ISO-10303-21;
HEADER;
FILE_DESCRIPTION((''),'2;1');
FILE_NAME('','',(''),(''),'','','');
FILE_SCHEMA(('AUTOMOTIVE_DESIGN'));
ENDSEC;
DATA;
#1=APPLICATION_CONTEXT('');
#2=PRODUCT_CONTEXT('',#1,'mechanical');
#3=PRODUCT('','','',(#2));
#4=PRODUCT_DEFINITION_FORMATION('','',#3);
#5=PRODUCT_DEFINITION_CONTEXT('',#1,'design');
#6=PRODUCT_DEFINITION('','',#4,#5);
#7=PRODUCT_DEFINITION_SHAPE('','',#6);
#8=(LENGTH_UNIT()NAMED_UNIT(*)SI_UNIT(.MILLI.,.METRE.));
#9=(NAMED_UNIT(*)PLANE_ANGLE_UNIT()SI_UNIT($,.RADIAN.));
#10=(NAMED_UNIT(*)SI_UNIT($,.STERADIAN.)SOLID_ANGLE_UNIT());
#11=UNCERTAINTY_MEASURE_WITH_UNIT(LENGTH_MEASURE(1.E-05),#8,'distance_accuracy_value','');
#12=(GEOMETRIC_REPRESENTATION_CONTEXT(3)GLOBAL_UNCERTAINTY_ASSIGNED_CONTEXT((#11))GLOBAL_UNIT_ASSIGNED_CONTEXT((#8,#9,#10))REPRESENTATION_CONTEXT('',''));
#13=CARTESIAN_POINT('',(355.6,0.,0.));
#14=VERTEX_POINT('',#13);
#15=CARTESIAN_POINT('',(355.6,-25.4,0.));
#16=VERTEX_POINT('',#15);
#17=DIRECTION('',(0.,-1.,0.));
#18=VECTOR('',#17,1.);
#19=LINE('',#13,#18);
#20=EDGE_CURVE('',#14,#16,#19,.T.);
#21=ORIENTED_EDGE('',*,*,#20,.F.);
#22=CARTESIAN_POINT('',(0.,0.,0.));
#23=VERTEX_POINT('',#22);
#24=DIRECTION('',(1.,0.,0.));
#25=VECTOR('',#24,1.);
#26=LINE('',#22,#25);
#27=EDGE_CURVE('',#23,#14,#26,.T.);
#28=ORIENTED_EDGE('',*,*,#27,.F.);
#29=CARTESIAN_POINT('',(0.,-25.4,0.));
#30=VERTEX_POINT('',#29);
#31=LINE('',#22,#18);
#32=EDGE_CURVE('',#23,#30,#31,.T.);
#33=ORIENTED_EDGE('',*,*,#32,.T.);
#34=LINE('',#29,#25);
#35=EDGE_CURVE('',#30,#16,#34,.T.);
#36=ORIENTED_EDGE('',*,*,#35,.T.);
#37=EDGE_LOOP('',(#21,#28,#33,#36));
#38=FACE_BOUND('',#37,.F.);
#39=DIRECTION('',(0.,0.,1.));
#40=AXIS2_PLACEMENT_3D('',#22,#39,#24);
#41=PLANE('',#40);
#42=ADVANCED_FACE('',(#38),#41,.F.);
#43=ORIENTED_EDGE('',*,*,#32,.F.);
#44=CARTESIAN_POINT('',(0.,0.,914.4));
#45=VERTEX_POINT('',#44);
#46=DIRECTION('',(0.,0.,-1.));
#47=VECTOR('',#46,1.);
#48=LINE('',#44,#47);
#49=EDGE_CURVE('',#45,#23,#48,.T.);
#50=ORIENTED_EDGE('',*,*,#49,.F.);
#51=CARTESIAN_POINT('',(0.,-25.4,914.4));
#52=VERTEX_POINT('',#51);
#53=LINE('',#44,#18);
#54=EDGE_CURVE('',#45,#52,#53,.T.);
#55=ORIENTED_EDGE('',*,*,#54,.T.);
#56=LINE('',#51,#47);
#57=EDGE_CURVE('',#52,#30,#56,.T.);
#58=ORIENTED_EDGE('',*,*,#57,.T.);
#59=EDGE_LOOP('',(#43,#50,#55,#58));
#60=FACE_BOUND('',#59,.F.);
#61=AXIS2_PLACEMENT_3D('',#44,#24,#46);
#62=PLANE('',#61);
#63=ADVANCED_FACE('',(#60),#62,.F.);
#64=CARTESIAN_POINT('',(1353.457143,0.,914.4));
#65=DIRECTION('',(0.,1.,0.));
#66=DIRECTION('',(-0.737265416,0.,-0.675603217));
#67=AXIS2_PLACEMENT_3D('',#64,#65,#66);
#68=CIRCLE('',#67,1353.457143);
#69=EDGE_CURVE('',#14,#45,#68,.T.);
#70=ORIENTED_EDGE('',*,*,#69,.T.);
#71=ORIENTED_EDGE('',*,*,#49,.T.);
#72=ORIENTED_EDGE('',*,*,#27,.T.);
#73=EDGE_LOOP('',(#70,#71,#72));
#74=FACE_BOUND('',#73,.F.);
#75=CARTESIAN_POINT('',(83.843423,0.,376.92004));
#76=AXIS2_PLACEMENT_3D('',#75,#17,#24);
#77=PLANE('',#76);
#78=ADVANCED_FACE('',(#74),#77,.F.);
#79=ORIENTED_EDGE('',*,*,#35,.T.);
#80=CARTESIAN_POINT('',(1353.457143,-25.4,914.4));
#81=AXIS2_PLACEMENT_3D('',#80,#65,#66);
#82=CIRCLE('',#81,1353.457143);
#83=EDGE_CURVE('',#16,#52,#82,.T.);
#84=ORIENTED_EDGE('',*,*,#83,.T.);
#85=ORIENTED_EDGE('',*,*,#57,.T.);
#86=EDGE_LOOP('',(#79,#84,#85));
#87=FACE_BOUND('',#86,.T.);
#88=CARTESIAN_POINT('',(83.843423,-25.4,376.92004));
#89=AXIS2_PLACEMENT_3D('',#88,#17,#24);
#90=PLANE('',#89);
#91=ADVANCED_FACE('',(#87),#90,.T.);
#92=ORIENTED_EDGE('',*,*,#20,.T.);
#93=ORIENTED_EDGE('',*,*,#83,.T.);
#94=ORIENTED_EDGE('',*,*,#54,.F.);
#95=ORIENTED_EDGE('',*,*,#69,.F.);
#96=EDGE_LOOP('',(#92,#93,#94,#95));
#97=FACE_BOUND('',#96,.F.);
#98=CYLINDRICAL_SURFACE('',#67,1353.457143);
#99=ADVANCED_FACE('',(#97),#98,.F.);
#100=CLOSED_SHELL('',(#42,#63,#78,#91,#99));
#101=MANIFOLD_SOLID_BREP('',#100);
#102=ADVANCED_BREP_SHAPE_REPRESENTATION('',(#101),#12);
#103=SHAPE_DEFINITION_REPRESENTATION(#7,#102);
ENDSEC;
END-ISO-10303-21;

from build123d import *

# Parameters (mm, degrees)
F1_DEPTH = 25.4


with BuildPart() as f1:
    # F0 (on Front) → F1 (new body)
    with BuildSketch(Plane.XZ):
        with BuildLine():
            Line((0, 914.4), (0, 0))
            Line((0, 0), (355.6, 0))
            ThreePointArc((355.6, 0), (92.028763, 423.844519), (0, 914.4))
        make_face()
    extrude(amount=F1_DEPTH)


solid = f1.part
